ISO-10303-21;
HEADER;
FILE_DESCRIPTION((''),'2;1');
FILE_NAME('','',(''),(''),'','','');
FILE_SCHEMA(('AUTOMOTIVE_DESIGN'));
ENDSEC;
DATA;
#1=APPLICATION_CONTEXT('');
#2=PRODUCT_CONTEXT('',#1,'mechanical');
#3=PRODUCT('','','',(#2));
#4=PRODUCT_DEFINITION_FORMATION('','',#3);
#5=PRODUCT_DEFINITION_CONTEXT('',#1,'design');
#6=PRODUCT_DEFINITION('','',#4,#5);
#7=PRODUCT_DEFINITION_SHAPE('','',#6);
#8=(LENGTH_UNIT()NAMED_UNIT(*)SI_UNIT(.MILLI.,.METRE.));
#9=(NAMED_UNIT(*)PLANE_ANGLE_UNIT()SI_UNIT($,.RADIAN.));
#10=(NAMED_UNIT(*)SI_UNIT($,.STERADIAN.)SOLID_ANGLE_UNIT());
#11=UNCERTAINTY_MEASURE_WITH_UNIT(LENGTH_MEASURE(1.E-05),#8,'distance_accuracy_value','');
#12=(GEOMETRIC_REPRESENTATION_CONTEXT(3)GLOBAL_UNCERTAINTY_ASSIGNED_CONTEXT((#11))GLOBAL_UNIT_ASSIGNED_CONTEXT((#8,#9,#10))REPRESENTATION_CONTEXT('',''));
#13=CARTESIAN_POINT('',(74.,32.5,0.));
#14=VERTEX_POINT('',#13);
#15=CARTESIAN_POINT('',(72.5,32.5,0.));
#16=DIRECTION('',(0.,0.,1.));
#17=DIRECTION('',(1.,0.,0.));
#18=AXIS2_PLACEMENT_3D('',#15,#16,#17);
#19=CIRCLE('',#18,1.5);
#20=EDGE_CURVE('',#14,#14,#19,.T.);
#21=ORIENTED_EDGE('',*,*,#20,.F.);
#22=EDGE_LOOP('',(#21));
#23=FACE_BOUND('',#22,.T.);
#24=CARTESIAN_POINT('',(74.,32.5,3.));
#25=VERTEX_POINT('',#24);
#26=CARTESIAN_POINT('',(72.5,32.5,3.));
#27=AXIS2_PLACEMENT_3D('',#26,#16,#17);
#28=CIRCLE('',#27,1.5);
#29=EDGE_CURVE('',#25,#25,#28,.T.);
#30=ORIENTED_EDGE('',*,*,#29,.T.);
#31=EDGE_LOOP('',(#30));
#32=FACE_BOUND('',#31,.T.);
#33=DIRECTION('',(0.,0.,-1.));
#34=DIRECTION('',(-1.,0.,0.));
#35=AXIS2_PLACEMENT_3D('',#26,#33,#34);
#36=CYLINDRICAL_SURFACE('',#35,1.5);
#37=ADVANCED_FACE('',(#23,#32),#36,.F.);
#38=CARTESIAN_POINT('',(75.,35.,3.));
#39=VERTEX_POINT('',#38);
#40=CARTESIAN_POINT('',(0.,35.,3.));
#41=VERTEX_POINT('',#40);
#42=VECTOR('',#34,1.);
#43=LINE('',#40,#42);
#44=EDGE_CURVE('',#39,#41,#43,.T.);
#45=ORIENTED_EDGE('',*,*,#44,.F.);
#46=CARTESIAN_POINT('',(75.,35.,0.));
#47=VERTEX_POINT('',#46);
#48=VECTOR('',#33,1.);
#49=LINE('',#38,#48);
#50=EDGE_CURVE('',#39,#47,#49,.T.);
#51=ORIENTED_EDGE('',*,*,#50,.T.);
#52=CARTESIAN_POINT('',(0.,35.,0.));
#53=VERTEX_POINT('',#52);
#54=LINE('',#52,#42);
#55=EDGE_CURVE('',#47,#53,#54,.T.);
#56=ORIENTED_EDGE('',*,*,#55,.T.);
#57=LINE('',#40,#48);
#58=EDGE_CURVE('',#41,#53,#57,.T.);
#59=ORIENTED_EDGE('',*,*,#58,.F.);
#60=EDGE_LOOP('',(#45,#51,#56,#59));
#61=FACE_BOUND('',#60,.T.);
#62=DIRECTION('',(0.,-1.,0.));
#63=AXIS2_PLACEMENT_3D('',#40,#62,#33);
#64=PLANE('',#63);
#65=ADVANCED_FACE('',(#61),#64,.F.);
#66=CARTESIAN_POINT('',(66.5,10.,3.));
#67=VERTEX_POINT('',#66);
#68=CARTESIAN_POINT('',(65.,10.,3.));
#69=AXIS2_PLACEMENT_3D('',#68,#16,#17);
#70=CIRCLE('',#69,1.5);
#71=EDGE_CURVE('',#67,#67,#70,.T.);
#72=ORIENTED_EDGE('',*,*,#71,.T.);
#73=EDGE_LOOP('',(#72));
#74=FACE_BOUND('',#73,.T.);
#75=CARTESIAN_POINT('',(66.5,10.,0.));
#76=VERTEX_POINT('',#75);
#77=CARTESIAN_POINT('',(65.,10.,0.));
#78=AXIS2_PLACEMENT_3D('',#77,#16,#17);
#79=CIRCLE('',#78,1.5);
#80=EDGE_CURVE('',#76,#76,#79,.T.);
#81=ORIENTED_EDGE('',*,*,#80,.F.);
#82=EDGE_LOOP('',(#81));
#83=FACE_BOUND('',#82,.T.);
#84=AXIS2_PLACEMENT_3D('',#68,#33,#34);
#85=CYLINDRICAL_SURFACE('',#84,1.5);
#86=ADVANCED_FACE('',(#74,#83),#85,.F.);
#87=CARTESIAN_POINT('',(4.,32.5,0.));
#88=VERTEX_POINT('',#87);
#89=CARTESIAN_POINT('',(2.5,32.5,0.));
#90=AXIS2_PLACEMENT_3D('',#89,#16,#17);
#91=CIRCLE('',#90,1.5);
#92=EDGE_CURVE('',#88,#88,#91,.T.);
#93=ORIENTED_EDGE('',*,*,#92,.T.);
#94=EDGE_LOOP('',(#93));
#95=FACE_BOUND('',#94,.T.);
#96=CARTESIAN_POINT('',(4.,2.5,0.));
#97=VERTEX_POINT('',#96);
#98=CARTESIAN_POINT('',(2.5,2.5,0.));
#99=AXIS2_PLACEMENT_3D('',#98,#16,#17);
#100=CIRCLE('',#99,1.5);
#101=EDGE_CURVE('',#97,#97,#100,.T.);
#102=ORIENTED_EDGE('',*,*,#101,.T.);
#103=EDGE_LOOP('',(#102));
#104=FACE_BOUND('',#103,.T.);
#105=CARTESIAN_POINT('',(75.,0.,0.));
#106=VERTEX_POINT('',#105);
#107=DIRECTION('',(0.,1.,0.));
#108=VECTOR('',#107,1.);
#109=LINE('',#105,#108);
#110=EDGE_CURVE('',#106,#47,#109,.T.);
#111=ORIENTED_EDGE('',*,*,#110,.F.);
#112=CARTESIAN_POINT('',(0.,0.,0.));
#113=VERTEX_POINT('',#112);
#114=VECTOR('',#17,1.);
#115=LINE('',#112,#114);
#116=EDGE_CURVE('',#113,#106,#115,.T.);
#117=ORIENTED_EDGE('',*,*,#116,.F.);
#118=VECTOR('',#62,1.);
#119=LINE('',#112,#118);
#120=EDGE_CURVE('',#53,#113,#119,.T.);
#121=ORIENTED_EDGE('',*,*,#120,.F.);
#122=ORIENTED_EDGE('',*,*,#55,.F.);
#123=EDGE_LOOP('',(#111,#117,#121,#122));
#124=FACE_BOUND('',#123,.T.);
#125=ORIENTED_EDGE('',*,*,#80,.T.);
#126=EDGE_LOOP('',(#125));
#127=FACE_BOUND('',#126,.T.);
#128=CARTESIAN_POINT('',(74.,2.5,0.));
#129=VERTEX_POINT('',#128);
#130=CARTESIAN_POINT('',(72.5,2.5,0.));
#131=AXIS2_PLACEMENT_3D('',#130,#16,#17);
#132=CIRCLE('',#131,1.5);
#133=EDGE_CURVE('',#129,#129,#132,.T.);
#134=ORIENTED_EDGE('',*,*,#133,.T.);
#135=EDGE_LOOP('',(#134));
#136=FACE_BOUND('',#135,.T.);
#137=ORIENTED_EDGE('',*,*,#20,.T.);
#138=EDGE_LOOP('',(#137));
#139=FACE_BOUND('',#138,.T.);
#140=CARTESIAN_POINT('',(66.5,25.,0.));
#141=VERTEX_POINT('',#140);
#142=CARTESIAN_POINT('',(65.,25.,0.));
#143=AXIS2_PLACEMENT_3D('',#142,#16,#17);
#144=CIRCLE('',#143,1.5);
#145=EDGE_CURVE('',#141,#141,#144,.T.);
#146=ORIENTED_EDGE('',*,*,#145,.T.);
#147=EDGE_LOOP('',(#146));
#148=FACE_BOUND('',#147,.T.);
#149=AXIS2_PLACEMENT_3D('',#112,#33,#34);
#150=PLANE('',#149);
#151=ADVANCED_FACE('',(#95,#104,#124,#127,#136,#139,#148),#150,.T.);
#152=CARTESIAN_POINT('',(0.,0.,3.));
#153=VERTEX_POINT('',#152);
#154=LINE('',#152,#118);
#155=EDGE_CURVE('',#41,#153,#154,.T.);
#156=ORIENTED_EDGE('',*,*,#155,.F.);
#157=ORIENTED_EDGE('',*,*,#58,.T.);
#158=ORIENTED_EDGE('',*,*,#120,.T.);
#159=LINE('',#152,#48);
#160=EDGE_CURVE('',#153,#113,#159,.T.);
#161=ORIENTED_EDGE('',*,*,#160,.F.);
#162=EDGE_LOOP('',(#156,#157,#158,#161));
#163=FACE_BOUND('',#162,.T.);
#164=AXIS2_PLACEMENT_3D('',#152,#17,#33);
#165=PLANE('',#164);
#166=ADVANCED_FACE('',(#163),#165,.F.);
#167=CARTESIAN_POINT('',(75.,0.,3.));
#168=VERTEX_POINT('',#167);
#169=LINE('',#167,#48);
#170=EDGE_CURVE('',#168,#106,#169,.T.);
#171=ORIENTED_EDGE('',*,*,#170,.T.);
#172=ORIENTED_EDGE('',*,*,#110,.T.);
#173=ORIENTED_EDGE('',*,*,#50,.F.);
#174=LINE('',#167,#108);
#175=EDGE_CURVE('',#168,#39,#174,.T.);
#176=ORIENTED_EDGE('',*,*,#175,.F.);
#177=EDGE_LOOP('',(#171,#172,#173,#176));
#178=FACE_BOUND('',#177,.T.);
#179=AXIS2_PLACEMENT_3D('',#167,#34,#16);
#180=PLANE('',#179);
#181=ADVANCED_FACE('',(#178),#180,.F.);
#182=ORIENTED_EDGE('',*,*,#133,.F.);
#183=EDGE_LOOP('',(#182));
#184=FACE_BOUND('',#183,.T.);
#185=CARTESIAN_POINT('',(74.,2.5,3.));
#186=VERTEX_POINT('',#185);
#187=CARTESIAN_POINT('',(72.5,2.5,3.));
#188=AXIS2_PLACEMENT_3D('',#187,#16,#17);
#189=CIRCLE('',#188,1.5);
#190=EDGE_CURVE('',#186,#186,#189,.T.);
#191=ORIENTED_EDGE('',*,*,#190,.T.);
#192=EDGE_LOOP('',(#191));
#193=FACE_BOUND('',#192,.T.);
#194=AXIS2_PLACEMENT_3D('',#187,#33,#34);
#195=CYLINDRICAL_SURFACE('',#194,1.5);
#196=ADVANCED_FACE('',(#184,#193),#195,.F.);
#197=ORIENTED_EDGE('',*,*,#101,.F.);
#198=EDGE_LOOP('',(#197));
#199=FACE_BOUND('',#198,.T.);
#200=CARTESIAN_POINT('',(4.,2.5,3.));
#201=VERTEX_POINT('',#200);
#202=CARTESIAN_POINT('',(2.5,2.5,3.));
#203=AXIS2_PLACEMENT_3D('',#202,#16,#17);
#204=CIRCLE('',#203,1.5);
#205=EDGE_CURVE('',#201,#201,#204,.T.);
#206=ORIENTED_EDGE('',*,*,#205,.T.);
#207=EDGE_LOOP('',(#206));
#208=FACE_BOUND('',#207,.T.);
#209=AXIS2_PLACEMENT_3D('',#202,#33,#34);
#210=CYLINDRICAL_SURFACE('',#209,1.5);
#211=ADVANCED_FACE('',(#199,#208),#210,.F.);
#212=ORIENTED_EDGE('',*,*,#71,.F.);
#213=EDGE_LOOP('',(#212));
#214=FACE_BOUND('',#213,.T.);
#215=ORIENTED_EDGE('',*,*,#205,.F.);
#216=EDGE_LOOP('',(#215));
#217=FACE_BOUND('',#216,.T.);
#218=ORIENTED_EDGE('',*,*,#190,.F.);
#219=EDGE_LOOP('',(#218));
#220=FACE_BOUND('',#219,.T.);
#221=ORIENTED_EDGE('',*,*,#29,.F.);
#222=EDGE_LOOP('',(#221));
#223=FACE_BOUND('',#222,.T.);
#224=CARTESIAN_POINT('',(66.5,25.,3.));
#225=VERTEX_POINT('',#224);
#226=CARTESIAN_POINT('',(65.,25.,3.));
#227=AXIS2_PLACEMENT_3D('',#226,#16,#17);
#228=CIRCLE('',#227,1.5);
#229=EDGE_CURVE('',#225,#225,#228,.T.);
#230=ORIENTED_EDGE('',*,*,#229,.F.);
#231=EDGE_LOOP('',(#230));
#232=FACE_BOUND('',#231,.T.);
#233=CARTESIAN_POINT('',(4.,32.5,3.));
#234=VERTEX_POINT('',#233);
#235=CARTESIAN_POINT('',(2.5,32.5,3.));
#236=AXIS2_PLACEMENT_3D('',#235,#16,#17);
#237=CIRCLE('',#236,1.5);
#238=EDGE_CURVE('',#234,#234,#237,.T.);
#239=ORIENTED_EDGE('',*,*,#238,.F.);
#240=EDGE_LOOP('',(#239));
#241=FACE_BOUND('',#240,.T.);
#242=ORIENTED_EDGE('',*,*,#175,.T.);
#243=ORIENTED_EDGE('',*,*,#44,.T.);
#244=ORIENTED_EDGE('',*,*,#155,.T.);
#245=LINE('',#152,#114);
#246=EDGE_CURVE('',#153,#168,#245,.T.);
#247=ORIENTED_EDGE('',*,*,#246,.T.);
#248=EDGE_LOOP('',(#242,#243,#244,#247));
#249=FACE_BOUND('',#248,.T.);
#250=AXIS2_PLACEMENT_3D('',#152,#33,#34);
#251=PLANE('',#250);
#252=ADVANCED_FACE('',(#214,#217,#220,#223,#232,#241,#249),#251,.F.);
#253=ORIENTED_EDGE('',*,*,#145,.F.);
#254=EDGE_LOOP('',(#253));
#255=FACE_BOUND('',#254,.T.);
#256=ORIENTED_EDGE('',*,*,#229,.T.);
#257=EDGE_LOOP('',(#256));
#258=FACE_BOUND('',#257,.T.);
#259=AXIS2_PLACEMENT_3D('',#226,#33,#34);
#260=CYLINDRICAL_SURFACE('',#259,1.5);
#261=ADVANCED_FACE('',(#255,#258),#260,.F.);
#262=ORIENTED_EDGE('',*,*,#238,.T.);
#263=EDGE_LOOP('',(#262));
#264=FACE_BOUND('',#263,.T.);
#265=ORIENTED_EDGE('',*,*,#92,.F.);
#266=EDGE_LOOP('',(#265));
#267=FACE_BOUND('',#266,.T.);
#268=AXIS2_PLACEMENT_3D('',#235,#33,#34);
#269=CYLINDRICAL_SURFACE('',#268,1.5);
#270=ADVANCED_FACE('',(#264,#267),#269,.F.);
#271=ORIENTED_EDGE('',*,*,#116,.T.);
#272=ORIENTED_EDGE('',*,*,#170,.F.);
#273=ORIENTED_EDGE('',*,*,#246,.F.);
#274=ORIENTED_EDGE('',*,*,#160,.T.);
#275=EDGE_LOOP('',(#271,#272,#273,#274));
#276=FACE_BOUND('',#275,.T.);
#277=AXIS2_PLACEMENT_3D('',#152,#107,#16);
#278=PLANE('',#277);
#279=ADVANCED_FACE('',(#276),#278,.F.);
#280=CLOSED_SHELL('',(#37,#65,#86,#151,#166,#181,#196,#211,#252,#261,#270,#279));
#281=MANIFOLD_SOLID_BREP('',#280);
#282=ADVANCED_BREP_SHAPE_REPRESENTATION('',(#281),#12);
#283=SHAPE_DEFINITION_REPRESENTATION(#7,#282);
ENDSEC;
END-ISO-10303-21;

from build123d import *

# Parameters (mm, degrees)
SKETCH1_W           = 75
SKETCH1_H           = 35
SKETCH1_R           = 1.5
BOSS_EXTRUDE1_DEPTH = 3


with BuildPart() as part:
    # Sketch1 → Boss-Extrude1 (new body)
    with BuildSketch(Plane.XY):
        with Locations((37.5, 17.5)):
            Rectangle(SKETCH1_W, SKETCH1_H)
        with Locations((2.5, 32.5)):
            Circle(SKETCH1_R, mode=Mode.SUBTRACT)
        with Locations((2.5, 2.5)):
            Circle(SKETCH1_R, mode=Mode.SUBTRACT)
        with Locations((72.5, 2.5)):
            Circle(SKETCH1_R, mode=Mode.SUBTRACT)
        with Locations((72.5, 32.5)):
            Circle(SKETCH1_R, mode=Mode.SUBTRACT)
        with Locations((65, 10)):
            Circle(SKETCH1_R, mode=Mode.SUBTRACT)
        with Locations((65, 25)):
            Circle(SKETCH1_R, mode=Mode.SUBTRACT)
    extrude(amount=BOSS_EXTRUDE1_DEPTH)


solid = part.part
